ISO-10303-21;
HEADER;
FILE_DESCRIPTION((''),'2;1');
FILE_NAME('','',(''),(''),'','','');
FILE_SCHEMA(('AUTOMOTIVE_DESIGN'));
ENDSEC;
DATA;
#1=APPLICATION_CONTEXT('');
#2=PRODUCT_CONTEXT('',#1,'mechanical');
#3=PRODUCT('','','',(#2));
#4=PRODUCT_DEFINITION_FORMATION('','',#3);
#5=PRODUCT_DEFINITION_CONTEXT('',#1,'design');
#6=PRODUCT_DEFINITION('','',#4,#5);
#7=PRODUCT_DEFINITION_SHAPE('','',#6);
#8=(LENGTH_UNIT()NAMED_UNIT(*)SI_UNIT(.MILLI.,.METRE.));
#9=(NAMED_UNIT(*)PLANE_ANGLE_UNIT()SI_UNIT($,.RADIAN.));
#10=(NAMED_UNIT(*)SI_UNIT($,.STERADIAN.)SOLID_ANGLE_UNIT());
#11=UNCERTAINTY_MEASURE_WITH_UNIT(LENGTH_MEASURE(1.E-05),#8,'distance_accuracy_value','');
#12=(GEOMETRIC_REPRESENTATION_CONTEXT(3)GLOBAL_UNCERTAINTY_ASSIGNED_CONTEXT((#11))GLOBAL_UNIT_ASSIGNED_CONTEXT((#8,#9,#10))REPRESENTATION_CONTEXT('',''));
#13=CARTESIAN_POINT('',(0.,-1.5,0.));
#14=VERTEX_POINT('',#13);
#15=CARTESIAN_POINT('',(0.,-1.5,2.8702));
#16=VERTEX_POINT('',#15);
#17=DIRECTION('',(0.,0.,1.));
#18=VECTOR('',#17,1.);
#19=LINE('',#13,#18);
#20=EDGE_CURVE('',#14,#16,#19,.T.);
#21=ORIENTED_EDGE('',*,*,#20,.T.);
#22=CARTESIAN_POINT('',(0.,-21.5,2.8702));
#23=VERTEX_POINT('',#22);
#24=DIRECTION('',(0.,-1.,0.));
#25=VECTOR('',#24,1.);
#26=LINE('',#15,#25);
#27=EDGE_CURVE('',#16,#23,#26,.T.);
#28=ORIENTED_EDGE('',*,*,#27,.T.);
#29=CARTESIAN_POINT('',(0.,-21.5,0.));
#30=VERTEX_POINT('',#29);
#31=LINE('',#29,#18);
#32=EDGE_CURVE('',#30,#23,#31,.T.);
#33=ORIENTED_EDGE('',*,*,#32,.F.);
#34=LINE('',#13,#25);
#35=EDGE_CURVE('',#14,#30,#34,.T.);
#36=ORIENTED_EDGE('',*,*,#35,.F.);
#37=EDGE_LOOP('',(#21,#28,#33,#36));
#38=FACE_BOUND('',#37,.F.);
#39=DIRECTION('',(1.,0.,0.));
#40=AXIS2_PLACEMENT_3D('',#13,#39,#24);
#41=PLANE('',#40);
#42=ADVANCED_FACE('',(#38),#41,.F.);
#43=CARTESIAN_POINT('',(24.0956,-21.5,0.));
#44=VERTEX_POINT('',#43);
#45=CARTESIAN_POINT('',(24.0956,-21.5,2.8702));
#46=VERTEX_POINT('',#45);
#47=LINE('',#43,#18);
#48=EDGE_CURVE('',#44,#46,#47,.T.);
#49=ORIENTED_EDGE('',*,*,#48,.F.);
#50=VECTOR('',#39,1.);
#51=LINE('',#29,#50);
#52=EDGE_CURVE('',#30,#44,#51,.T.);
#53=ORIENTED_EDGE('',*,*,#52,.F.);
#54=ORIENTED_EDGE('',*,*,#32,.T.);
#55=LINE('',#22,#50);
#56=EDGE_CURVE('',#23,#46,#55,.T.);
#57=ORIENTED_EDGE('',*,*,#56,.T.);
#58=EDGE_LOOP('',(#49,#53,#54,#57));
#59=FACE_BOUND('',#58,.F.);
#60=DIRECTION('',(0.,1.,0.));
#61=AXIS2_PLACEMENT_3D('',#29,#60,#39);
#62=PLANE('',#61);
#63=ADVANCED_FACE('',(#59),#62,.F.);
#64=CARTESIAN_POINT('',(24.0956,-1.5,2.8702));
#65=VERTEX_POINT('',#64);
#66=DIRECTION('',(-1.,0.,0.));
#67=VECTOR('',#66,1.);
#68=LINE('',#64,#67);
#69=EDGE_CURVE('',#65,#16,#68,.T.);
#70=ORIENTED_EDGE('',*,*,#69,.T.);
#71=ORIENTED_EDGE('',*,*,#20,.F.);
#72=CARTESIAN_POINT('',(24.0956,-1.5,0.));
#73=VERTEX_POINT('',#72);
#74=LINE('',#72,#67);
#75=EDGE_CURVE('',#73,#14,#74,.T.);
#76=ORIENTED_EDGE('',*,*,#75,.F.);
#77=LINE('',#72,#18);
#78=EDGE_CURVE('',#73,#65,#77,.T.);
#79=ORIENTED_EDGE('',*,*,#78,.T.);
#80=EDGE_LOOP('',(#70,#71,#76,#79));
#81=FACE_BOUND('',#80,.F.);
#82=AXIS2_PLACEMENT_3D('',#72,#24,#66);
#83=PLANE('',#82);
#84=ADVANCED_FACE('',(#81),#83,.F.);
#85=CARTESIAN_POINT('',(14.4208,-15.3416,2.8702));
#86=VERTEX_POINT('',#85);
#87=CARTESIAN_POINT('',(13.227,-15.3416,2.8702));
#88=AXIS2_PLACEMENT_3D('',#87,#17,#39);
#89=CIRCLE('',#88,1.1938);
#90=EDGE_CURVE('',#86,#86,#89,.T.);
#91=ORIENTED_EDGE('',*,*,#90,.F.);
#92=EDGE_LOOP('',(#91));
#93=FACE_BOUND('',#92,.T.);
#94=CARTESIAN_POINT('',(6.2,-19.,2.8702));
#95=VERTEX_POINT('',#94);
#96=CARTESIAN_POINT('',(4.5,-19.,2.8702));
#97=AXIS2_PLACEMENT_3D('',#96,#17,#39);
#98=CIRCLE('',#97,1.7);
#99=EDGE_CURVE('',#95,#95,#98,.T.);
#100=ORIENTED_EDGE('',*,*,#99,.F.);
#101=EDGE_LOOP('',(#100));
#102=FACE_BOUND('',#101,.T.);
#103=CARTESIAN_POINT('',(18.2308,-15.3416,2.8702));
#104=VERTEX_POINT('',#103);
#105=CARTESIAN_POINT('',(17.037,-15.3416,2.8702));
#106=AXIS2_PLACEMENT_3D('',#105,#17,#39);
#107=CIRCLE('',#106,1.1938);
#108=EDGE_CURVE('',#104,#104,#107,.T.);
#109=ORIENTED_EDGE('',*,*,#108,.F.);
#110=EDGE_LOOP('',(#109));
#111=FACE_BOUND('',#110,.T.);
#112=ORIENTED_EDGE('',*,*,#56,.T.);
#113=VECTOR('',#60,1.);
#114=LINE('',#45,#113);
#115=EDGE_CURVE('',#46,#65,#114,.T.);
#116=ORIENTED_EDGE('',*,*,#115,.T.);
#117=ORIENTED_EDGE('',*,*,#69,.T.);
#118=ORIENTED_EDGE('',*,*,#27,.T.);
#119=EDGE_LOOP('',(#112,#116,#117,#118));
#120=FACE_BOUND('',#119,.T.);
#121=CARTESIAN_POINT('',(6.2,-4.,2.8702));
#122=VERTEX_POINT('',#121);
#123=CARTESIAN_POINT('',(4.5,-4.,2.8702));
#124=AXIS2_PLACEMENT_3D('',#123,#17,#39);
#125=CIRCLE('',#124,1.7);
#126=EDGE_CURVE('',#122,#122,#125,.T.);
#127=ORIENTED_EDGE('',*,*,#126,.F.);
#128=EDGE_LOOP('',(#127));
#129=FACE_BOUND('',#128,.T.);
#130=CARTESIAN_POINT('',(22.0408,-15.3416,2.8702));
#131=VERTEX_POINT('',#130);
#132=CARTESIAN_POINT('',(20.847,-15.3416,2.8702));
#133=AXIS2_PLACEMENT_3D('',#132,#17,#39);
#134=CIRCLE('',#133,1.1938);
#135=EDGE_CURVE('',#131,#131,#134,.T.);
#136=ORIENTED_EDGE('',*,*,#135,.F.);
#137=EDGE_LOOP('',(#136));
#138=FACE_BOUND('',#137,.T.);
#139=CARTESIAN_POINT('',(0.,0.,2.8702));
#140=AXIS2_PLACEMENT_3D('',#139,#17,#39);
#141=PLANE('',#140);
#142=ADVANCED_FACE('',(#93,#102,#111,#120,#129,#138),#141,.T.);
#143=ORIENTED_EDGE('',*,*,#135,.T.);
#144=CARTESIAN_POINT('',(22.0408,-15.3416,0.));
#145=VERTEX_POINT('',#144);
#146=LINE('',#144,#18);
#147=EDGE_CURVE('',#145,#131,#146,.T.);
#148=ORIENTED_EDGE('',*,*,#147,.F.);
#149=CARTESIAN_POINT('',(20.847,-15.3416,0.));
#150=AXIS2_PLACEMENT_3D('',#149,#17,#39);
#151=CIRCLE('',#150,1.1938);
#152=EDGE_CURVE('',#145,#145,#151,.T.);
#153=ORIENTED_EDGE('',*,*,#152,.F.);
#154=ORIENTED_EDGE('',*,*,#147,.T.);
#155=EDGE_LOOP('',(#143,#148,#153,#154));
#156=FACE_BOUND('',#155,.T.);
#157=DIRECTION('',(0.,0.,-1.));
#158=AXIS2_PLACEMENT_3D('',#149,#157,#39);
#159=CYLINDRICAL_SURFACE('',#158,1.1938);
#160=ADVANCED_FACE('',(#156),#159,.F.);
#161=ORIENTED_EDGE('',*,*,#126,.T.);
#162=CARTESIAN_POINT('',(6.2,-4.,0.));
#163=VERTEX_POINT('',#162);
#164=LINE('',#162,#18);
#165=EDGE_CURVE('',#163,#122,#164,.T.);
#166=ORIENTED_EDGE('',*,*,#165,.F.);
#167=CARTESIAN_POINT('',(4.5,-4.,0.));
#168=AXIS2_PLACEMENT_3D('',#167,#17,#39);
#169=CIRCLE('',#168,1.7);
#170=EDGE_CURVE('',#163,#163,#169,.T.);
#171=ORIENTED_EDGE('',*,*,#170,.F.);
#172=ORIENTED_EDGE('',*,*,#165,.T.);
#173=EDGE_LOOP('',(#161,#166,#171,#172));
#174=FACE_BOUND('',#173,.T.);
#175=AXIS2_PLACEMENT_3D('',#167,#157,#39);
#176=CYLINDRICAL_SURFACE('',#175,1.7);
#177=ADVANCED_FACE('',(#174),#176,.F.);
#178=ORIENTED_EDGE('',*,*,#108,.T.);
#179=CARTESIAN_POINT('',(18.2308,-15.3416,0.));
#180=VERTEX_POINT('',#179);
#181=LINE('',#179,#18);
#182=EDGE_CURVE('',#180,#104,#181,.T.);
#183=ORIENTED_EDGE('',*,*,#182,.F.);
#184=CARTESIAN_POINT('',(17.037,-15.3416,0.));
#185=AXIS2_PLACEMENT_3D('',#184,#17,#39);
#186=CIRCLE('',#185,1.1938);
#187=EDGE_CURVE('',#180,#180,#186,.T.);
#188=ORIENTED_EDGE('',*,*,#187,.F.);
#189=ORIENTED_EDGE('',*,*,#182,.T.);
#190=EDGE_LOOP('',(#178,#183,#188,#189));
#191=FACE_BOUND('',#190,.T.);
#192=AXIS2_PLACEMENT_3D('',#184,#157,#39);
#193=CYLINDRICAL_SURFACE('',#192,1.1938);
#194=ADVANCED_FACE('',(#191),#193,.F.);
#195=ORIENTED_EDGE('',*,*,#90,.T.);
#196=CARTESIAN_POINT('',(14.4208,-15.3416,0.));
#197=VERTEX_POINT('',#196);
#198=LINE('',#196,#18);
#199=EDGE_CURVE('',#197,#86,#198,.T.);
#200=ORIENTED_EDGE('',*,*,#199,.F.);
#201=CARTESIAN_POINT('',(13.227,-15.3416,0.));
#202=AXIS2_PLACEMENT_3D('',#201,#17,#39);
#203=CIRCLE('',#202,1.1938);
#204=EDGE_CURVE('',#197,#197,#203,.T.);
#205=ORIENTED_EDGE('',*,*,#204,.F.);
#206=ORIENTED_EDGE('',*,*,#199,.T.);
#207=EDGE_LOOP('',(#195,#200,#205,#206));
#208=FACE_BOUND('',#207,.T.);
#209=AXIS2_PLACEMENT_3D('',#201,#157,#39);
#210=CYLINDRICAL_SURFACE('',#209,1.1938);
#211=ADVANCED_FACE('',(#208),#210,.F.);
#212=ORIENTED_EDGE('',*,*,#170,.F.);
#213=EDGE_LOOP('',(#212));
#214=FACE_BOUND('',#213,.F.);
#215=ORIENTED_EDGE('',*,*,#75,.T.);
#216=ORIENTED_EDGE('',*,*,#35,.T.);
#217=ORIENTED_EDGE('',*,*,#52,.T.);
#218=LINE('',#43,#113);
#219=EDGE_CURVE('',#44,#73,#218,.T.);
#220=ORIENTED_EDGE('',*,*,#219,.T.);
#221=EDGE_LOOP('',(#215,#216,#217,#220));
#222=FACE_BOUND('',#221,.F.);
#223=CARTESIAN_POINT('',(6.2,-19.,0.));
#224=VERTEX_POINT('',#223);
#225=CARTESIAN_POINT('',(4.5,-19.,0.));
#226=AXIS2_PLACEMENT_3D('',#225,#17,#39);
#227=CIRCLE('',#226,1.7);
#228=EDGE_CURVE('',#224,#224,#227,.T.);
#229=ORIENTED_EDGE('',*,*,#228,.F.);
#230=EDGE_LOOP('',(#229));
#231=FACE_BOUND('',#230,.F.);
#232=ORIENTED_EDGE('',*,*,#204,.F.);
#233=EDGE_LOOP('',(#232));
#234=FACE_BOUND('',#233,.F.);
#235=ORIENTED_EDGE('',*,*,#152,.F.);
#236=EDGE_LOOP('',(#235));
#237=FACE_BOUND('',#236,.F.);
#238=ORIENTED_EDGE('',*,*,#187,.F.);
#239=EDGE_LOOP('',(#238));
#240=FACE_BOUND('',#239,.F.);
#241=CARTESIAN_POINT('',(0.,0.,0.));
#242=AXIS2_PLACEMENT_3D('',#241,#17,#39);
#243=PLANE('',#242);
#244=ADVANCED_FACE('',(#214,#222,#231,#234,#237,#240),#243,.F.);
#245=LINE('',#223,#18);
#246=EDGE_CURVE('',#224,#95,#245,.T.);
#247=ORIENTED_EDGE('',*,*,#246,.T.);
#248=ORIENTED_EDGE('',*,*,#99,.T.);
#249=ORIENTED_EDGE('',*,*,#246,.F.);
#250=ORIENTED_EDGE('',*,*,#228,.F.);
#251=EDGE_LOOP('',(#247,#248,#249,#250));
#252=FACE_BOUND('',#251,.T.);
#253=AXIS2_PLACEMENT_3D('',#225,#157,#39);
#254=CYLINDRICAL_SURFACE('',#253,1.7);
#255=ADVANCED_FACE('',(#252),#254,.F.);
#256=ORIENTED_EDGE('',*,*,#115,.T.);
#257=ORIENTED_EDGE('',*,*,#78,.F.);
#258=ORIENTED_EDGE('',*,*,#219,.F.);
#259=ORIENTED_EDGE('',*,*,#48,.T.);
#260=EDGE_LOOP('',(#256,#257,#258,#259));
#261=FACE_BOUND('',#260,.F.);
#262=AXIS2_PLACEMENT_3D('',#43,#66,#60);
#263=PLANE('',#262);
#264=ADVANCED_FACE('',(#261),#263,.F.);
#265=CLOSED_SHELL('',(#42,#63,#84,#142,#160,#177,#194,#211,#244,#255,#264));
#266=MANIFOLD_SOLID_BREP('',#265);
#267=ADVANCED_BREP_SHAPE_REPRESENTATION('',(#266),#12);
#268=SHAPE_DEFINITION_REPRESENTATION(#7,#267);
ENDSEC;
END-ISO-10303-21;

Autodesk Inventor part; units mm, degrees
ref_plane "YZ Plane" through (0, 0, 0) normal (1, 0, 0) x (0, 1, 0)
ref_plane "XZ Plane" through (0, 0, 0) normal (0, 1, 0) x (-1, 0, 0)
ref_plane "Work Plane1" through (0, 0, 0) normal (0, 0, 1) x (1, 0, 0)
sketch "Sketch1" plane through (0, 0, 0) normal (0, 0, 1) x (1, 0, 0)
  circle A0 centre (4.5, -4) radius 1.45 construction
  circle A1 centre (4.5, -9) radius 1.45 construction
  circle A2 centre (4.5, -14) radius 1.45 construction
  circle A3 centre (4.5, -19) radius 1.45 construction
  circle A4 centre (4.5, -24) radius 1.45 construction
  circle A5 centre (4.5, -29) radius 1.45 construction
  circle A6 centre (4.5, -34) radius 1.45 construction
  circle A7 centre (4.5, -39) radius 1.45 construction
  line L0 (0, -90) -> (0, 0) construction
  line L1 (0, 0) -> (9, 0) construction
  line L2 (9, 0) -> (9, -90) construction
  line L3 (9, 0) -> (9, -90) construction
  line L4 (0, -21.5) -> (24.0956, -21.5)
  line L5 (24.0956, -21.5) -> (24.0956, -1.5)
  line L6 (24.0956, -1.5) -> (0, -1.5)
  line L7 (0, -1.5) -> (0, -21.5)
  circle A8 centre (4.5, -4) radius 1.7
  circle A9 centre (4.5, -19) radius 1.7
  circle A10 centre (17.037, -24.8666) radius 1.1938 construction
  circle A11 centre (17.037, -15.3416) radius 1.1938 construction
  circle A12 centre (17.037, -24.8666) radius 1.1938
  circle A13 centre (17.037, -15.3416) radius 1.1938
  circle A14 centre (20.847, -24.8666) radius 1.1938
  circle A15 centre (20.847, -15.3416) radius 1.1938
  circle A16 centre (13.227, -24.8666) radius 1.1938
  circle A17 centre (13.227, -15.3416) radius 1.1938
  circle A18 centre (17.037, -24.8666) radius 1.1938
  circle A19 centre (17.037, -15.3416) radius 1.1938
  dimension "d1" = 3.4
  dimension "d2" = 3.4
  dimension "d3" = 2.5
  dimension "d4" = 2.5
  dimension "d14" = 3.81
  dimension "d17" = 3.81
ref_plane "Work Plane2" through (14.1732, -6.9151, 2.8702) normal (0, 0, -1) x (0, 1, 0)
extrude "Extrusion1" add sketch "Sketch1" along normal up to surface (2.8702 mm away) contours L7 L6 L5 L4
equation "\"d4\" = d3"
properties part number "Limit switch mount top"
